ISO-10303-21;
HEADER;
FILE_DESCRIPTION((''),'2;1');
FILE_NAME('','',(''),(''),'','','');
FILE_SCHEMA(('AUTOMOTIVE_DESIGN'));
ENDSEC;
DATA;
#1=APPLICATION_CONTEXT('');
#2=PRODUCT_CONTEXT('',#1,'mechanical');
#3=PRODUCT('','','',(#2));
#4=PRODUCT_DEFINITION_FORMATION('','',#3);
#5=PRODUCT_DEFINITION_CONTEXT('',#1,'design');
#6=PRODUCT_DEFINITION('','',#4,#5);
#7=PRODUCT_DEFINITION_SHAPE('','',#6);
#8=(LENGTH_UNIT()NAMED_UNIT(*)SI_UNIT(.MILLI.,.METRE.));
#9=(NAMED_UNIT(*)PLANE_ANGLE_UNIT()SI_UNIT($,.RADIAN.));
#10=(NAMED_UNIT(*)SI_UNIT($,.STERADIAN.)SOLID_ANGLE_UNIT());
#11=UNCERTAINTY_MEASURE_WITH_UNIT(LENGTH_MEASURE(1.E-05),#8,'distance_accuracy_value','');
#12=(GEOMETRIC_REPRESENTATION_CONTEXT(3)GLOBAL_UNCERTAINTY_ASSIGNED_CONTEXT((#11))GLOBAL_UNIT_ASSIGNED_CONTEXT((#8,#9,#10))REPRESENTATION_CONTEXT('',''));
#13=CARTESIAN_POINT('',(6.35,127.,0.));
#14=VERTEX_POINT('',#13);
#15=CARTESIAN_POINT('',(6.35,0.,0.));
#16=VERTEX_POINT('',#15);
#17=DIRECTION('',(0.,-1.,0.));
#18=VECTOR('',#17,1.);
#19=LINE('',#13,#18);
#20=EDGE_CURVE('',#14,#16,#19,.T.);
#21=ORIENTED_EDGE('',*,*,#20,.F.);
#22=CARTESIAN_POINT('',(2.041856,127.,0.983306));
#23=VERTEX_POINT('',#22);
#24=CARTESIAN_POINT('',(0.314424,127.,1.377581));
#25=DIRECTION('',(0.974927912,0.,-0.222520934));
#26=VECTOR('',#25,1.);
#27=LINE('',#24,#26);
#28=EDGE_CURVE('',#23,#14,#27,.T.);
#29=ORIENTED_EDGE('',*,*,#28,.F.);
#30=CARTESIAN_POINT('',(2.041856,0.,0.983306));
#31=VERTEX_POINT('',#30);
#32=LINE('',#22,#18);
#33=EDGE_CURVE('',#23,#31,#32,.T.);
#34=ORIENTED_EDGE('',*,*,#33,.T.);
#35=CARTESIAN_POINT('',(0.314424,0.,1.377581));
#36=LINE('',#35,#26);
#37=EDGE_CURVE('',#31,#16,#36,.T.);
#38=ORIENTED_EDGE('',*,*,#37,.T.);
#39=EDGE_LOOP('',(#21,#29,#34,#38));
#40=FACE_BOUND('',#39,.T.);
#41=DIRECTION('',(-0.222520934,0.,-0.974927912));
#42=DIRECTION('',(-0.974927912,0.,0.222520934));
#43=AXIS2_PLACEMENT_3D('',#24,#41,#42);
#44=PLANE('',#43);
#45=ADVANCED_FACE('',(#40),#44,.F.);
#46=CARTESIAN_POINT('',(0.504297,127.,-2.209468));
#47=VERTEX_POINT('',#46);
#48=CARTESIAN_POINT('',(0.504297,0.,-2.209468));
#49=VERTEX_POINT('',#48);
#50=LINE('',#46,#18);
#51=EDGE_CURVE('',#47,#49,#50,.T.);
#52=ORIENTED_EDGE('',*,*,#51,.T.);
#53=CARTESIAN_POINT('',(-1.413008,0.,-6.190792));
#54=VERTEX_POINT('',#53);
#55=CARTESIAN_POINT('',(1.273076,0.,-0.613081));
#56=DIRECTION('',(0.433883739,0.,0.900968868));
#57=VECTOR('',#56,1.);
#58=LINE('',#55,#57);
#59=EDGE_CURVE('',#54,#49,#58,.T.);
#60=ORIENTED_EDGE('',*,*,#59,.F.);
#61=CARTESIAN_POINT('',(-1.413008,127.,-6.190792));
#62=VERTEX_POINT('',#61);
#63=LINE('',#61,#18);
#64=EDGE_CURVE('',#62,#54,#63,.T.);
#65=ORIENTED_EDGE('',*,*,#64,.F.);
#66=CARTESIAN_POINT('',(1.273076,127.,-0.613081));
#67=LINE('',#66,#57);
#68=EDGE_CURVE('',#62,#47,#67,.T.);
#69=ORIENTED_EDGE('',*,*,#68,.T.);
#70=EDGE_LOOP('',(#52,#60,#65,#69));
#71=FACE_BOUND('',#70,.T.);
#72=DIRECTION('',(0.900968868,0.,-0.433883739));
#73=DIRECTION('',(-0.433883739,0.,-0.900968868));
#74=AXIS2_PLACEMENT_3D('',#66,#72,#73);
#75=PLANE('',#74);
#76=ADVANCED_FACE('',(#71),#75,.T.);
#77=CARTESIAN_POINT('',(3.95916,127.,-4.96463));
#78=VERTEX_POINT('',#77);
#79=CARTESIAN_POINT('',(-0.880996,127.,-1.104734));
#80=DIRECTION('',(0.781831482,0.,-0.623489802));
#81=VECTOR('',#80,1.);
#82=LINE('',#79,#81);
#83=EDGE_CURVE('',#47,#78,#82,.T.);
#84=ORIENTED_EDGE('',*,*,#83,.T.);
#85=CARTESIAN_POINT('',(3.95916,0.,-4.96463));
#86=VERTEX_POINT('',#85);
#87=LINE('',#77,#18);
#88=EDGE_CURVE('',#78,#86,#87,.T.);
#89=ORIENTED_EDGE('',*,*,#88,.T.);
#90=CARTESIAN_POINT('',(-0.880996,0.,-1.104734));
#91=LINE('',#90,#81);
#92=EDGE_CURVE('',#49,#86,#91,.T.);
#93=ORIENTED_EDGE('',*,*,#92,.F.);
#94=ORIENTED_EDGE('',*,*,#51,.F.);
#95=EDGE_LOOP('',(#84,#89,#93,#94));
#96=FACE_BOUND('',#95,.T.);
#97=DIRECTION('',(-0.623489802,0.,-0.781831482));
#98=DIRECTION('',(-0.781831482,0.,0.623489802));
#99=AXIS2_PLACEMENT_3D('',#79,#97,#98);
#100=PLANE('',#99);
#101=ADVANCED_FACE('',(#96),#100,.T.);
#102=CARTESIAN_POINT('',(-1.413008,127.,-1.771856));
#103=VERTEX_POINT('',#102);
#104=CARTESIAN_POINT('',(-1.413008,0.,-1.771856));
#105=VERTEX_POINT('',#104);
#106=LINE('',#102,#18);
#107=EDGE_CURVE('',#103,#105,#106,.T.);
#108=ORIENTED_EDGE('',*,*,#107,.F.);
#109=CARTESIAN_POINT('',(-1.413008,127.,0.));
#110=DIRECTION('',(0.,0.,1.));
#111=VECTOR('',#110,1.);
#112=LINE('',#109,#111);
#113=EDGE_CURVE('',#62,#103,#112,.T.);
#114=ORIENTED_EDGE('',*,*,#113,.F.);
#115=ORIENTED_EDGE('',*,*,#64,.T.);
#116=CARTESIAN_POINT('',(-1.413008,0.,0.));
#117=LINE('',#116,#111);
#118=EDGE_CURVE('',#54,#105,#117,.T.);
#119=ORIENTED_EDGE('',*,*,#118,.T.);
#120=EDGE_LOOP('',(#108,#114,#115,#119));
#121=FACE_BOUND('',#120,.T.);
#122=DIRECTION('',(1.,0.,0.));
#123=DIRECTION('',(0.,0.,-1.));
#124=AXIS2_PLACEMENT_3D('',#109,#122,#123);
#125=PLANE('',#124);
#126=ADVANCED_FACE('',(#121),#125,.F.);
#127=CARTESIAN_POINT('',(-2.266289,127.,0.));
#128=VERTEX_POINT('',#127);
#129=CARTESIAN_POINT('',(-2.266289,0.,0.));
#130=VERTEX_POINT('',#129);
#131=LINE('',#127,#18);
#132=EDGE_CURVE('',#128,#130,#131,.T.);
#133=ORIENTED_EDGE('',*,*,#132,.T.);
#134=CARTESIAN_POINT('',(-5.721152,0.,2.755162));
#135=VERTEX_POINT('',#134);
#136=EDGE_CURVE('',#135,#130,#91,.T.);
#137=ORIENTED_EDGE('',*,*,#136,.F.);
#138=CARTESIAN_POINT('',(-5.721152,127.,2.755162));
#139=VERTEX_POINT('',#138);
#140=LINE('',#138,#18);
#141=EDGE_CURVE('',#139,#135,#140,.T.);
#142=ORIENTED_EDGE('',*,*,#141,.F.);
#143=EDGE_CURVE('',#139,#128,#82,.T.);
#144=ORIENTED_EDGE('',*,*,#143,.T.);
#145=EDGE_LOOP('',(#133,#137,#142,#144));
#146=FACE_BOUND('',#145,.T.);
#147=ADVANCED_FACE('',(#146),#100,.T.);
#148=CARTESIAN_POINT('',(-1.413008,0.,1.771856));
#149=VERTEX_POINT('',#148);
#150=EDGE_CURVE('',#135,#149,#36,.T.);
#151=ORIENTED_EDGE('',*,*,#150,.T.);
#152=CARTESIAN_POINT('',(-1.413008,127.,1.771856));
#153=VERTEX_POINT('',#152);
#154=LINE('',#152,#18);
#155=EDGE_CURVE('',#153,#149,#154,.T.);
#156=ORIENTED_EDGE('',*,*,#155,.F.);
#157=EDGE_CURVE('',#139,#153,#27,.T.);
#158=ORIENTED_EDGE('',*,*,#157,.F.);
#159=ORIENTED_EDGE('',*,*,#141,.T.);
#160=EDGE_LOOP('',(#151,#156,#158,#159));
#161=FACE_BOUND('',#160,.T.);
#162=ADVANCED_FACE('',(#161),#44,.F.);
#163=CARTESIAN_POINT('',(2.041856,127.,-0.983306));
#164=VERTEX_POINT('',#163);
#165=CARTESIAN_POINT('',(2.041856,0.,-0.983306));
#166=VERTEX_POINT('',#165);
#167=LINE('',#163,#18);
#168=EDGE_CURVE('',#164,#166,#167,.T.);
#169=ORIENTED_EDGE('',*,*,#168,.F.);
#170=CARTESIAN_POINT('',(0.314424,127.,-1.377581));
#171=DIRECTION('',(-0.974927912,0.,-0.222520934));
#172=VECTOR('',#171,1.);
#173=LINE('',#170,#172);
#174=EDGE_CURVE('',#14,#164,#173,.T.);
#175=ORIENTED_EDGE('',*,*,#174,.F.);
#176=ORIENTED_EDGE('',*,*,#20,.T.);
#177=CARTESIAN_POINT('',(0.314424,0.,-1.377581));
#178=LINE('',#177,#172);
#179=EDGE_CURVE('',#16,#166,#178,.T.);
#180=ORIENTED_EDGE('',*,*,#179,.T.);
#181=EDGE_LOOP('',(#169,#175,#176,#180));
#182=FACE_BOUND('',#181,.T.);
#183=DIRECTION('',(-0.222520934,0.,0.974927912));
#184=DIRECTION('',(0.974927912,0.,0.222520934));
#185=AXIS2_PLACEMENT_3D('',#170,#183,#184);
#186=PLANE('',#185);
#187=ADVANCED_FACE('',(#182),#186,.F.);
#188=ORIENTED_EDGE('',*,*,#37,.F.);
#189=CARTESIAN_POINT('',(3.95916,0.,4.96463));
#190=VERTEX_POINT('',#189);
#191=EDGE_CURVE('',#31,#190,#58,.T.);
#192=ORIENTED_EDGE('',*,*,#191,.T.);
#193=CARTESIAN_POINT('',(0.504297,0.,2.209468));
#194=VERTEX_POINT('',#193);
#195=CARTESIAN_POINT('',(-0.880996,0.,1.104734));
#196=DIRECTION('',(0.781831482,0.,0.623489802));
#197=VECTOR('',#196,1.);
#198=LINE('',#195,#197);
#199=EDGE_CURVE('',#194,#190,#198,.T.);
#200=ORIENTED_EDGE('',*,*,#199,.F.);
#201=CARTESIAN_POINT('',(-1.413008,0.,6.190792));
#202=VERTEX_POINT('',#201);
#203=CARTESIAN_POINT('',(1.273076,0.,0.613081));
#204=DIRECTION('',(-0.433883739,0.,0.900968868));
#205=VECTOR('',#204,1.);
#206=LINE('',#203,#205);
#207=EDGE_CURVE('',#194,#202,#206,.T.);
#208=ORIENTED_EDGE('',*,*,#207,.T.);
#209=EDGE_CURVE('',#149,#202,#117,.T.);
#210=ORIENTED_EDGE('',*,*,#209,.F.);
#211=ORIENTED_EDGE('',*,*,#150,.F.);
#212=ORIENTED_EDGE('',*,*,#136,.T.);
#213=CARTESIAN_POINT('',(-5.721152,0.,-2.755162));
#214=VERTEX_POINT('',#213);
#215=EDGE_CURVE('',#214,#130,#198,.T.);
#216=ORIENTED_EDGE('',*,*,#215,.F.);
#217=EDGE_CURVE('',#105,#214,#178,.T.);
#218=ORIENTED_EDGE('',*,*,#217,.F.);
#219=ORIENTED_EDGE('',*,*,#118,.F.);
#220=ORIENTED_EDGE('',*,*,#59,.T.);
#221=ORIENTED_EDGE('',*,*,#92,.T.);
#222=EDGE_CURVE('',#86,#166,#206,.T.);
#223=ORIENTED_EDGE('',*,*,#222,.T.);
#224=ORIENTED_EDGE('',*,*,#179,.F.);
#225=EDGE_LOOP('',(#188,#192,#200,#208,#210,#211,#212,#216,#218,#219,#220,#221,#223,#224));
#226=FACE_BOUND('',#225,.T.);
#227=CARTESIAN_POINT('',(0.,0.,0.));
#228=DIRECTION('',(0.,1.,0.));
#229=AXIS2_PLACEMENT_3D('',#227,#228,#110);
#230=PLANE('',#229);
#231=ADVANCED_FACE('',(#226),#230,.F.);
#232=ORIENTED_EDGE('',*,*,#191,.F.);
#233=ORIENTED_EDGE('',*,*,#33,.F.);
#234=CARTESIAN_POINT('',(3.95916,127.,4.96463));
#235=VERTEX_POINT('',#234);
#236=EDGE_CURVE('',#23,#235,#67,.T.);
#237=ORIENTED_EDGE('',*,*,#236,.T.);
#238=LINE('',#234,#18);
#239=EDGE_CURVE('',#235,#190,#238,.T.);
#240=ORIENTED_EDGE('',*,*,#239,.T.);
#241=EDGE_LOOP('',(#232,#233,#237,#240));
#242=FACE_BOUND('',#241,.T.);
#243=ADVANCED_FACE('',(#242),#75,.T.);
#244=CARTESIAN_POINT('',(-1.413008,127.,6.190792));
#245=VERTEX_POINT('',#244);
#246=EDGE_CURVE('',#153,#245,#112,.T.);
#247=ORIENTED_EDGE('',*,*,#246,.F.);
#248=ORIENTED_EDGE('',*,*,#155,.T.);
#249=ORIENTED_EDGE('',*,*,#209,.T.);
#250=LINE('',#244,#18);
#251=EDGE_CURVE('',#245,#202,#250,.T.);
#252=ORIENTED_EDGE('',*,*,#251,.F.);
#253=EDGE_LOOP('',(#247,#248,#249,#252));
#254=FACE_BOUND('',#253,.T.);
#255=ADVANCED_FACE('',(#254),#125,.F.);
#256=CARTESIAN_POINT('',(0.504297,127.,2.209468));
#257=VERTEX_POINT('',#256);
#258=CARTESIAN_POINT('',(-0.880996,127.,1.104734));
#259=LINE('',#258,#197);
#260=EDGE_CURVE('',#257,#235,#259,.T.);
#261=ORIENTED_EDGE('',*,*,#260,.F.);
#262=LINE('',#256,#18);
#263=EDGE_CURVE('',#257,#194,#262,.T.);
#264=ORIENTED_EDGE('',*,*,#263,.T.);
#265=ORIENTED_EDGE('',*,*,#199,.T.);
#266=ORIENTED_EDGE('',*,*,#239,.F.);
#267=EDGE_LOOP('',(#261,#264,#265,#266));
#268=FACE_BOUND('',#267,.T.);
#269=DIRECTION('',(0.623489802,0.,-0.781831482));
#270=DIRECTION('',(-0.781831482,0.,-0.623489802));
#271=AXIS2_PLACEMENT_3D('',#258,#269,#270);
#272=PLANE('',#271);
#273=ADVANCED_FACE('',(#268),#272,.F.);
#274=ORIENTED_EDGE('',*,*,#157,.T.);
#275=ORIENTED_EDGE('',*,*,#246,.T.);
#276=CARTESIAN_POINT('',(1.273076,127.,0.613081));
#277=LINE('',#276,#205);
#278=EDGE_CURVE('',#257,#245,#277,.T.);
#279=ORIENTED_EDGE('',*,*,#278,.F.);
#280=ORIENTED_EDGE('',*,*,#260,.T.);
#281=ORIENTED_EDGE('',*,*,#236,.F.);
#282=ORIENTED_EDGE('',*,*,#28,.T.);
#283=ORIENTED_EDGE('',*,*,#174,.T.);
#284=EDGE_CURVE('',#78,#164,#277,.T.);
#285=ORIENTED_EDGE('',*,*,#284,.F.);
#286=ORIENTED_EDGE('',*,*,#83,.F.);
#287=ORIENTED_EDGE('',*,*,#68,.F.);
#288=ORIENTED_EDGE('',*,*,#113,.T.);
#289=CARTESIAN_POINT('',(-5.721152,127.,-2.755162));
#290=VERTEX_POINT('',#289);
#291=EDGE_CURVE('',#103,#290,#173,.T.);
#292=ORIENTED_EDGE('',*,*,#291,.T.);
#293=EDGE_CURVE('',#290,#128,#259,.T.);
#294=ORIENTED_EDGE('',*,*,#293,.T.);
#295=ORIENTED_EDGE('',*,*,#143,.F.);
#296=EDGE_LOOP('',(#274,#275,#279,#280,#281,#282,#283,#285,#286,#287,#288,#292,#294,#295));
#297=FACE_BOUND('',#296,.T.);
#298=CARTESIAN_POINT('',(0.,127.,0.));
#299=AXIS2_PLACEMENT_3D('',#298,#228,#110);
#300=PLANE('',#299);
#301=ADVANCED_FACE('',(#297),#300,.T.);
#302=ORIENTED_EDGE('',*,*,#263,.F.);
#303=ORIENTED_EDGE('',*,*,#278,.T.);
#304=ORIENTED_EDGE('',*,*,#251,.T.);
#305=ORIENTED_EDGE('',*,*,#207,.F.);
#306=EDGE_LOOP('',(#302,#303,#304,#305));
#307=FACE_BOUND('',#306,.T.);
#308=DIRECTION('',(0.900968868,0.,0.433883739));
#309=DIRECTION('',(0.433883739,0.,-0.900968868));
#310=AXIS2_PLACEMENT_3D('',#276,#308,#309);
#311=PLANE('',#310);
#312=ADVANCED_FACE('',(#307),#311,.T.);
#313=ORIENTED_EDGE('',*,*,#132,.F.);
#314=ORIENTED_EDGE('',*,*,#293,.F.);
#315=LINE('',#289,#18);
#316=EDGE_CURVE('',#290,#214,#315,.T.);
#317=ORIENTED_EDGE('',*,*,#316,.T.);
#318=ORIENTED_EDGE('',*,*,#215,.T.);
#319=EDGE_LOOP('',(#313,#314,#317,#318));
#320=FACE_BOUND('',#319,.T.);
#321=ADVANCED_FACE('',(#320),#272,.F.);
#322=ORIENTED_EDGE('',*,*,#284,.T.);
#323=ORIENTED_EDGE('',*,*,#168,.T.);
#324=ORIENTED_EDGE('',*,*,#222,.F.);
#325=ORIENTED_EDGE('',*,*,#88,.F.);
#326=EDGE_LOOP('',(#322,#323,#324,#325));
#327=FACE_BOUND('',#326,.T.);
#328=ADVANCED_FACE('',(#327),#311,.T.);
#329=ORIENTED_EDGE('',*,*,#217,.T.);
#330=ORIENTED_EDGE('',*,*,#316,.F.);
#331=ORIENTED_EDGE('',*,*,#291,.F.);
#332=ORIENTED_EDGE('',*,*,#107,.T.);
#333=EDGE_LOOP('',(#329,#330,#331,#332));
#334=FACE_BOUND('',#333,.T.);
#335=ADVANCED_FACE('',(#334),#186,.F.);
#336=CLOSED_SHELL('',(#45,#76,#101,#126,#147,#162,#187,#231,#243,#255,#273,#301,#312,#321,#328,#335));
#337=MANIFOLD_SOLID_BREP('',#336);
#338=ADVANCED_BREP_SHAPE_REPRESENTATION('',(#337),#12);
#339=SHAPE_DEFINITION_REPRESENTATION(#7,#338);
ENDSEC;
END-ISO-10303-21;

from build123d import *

# Parameters (mm, degrees)
BOSS_EXTRUDE1_DEPTH = 127


with BuildPart() as part:
    # Sketch1 → Boss-Extrude1 (new body)
    with BuildSketch(Plane(origin=(0, 0, 0), x_dir=(1, 0, 0), z_dir=(0, 1, 0))):
        Polygon((-1.413007931, -6.190792242), (0.504296692, -2.20946817), (3.959160242, -4.964629914), (2.041855619, -0.983305842), (6.35, 0), (2.041855619, 0.983305842), (3.959160242, 4.964629914), (0.504296692, 2.20946817), (-1.413007931, 6.190792242), (-1.413007931, 1.771855902), (-5.721152311, 2.755161743), (-2.266288761, 0), (-5.721152311, -2.755161743), (-1.413007931, -1.771855902), align=None)
    extrude(amount=BOSS_EXTRUDE1_DEPTH)


solid = part.part
